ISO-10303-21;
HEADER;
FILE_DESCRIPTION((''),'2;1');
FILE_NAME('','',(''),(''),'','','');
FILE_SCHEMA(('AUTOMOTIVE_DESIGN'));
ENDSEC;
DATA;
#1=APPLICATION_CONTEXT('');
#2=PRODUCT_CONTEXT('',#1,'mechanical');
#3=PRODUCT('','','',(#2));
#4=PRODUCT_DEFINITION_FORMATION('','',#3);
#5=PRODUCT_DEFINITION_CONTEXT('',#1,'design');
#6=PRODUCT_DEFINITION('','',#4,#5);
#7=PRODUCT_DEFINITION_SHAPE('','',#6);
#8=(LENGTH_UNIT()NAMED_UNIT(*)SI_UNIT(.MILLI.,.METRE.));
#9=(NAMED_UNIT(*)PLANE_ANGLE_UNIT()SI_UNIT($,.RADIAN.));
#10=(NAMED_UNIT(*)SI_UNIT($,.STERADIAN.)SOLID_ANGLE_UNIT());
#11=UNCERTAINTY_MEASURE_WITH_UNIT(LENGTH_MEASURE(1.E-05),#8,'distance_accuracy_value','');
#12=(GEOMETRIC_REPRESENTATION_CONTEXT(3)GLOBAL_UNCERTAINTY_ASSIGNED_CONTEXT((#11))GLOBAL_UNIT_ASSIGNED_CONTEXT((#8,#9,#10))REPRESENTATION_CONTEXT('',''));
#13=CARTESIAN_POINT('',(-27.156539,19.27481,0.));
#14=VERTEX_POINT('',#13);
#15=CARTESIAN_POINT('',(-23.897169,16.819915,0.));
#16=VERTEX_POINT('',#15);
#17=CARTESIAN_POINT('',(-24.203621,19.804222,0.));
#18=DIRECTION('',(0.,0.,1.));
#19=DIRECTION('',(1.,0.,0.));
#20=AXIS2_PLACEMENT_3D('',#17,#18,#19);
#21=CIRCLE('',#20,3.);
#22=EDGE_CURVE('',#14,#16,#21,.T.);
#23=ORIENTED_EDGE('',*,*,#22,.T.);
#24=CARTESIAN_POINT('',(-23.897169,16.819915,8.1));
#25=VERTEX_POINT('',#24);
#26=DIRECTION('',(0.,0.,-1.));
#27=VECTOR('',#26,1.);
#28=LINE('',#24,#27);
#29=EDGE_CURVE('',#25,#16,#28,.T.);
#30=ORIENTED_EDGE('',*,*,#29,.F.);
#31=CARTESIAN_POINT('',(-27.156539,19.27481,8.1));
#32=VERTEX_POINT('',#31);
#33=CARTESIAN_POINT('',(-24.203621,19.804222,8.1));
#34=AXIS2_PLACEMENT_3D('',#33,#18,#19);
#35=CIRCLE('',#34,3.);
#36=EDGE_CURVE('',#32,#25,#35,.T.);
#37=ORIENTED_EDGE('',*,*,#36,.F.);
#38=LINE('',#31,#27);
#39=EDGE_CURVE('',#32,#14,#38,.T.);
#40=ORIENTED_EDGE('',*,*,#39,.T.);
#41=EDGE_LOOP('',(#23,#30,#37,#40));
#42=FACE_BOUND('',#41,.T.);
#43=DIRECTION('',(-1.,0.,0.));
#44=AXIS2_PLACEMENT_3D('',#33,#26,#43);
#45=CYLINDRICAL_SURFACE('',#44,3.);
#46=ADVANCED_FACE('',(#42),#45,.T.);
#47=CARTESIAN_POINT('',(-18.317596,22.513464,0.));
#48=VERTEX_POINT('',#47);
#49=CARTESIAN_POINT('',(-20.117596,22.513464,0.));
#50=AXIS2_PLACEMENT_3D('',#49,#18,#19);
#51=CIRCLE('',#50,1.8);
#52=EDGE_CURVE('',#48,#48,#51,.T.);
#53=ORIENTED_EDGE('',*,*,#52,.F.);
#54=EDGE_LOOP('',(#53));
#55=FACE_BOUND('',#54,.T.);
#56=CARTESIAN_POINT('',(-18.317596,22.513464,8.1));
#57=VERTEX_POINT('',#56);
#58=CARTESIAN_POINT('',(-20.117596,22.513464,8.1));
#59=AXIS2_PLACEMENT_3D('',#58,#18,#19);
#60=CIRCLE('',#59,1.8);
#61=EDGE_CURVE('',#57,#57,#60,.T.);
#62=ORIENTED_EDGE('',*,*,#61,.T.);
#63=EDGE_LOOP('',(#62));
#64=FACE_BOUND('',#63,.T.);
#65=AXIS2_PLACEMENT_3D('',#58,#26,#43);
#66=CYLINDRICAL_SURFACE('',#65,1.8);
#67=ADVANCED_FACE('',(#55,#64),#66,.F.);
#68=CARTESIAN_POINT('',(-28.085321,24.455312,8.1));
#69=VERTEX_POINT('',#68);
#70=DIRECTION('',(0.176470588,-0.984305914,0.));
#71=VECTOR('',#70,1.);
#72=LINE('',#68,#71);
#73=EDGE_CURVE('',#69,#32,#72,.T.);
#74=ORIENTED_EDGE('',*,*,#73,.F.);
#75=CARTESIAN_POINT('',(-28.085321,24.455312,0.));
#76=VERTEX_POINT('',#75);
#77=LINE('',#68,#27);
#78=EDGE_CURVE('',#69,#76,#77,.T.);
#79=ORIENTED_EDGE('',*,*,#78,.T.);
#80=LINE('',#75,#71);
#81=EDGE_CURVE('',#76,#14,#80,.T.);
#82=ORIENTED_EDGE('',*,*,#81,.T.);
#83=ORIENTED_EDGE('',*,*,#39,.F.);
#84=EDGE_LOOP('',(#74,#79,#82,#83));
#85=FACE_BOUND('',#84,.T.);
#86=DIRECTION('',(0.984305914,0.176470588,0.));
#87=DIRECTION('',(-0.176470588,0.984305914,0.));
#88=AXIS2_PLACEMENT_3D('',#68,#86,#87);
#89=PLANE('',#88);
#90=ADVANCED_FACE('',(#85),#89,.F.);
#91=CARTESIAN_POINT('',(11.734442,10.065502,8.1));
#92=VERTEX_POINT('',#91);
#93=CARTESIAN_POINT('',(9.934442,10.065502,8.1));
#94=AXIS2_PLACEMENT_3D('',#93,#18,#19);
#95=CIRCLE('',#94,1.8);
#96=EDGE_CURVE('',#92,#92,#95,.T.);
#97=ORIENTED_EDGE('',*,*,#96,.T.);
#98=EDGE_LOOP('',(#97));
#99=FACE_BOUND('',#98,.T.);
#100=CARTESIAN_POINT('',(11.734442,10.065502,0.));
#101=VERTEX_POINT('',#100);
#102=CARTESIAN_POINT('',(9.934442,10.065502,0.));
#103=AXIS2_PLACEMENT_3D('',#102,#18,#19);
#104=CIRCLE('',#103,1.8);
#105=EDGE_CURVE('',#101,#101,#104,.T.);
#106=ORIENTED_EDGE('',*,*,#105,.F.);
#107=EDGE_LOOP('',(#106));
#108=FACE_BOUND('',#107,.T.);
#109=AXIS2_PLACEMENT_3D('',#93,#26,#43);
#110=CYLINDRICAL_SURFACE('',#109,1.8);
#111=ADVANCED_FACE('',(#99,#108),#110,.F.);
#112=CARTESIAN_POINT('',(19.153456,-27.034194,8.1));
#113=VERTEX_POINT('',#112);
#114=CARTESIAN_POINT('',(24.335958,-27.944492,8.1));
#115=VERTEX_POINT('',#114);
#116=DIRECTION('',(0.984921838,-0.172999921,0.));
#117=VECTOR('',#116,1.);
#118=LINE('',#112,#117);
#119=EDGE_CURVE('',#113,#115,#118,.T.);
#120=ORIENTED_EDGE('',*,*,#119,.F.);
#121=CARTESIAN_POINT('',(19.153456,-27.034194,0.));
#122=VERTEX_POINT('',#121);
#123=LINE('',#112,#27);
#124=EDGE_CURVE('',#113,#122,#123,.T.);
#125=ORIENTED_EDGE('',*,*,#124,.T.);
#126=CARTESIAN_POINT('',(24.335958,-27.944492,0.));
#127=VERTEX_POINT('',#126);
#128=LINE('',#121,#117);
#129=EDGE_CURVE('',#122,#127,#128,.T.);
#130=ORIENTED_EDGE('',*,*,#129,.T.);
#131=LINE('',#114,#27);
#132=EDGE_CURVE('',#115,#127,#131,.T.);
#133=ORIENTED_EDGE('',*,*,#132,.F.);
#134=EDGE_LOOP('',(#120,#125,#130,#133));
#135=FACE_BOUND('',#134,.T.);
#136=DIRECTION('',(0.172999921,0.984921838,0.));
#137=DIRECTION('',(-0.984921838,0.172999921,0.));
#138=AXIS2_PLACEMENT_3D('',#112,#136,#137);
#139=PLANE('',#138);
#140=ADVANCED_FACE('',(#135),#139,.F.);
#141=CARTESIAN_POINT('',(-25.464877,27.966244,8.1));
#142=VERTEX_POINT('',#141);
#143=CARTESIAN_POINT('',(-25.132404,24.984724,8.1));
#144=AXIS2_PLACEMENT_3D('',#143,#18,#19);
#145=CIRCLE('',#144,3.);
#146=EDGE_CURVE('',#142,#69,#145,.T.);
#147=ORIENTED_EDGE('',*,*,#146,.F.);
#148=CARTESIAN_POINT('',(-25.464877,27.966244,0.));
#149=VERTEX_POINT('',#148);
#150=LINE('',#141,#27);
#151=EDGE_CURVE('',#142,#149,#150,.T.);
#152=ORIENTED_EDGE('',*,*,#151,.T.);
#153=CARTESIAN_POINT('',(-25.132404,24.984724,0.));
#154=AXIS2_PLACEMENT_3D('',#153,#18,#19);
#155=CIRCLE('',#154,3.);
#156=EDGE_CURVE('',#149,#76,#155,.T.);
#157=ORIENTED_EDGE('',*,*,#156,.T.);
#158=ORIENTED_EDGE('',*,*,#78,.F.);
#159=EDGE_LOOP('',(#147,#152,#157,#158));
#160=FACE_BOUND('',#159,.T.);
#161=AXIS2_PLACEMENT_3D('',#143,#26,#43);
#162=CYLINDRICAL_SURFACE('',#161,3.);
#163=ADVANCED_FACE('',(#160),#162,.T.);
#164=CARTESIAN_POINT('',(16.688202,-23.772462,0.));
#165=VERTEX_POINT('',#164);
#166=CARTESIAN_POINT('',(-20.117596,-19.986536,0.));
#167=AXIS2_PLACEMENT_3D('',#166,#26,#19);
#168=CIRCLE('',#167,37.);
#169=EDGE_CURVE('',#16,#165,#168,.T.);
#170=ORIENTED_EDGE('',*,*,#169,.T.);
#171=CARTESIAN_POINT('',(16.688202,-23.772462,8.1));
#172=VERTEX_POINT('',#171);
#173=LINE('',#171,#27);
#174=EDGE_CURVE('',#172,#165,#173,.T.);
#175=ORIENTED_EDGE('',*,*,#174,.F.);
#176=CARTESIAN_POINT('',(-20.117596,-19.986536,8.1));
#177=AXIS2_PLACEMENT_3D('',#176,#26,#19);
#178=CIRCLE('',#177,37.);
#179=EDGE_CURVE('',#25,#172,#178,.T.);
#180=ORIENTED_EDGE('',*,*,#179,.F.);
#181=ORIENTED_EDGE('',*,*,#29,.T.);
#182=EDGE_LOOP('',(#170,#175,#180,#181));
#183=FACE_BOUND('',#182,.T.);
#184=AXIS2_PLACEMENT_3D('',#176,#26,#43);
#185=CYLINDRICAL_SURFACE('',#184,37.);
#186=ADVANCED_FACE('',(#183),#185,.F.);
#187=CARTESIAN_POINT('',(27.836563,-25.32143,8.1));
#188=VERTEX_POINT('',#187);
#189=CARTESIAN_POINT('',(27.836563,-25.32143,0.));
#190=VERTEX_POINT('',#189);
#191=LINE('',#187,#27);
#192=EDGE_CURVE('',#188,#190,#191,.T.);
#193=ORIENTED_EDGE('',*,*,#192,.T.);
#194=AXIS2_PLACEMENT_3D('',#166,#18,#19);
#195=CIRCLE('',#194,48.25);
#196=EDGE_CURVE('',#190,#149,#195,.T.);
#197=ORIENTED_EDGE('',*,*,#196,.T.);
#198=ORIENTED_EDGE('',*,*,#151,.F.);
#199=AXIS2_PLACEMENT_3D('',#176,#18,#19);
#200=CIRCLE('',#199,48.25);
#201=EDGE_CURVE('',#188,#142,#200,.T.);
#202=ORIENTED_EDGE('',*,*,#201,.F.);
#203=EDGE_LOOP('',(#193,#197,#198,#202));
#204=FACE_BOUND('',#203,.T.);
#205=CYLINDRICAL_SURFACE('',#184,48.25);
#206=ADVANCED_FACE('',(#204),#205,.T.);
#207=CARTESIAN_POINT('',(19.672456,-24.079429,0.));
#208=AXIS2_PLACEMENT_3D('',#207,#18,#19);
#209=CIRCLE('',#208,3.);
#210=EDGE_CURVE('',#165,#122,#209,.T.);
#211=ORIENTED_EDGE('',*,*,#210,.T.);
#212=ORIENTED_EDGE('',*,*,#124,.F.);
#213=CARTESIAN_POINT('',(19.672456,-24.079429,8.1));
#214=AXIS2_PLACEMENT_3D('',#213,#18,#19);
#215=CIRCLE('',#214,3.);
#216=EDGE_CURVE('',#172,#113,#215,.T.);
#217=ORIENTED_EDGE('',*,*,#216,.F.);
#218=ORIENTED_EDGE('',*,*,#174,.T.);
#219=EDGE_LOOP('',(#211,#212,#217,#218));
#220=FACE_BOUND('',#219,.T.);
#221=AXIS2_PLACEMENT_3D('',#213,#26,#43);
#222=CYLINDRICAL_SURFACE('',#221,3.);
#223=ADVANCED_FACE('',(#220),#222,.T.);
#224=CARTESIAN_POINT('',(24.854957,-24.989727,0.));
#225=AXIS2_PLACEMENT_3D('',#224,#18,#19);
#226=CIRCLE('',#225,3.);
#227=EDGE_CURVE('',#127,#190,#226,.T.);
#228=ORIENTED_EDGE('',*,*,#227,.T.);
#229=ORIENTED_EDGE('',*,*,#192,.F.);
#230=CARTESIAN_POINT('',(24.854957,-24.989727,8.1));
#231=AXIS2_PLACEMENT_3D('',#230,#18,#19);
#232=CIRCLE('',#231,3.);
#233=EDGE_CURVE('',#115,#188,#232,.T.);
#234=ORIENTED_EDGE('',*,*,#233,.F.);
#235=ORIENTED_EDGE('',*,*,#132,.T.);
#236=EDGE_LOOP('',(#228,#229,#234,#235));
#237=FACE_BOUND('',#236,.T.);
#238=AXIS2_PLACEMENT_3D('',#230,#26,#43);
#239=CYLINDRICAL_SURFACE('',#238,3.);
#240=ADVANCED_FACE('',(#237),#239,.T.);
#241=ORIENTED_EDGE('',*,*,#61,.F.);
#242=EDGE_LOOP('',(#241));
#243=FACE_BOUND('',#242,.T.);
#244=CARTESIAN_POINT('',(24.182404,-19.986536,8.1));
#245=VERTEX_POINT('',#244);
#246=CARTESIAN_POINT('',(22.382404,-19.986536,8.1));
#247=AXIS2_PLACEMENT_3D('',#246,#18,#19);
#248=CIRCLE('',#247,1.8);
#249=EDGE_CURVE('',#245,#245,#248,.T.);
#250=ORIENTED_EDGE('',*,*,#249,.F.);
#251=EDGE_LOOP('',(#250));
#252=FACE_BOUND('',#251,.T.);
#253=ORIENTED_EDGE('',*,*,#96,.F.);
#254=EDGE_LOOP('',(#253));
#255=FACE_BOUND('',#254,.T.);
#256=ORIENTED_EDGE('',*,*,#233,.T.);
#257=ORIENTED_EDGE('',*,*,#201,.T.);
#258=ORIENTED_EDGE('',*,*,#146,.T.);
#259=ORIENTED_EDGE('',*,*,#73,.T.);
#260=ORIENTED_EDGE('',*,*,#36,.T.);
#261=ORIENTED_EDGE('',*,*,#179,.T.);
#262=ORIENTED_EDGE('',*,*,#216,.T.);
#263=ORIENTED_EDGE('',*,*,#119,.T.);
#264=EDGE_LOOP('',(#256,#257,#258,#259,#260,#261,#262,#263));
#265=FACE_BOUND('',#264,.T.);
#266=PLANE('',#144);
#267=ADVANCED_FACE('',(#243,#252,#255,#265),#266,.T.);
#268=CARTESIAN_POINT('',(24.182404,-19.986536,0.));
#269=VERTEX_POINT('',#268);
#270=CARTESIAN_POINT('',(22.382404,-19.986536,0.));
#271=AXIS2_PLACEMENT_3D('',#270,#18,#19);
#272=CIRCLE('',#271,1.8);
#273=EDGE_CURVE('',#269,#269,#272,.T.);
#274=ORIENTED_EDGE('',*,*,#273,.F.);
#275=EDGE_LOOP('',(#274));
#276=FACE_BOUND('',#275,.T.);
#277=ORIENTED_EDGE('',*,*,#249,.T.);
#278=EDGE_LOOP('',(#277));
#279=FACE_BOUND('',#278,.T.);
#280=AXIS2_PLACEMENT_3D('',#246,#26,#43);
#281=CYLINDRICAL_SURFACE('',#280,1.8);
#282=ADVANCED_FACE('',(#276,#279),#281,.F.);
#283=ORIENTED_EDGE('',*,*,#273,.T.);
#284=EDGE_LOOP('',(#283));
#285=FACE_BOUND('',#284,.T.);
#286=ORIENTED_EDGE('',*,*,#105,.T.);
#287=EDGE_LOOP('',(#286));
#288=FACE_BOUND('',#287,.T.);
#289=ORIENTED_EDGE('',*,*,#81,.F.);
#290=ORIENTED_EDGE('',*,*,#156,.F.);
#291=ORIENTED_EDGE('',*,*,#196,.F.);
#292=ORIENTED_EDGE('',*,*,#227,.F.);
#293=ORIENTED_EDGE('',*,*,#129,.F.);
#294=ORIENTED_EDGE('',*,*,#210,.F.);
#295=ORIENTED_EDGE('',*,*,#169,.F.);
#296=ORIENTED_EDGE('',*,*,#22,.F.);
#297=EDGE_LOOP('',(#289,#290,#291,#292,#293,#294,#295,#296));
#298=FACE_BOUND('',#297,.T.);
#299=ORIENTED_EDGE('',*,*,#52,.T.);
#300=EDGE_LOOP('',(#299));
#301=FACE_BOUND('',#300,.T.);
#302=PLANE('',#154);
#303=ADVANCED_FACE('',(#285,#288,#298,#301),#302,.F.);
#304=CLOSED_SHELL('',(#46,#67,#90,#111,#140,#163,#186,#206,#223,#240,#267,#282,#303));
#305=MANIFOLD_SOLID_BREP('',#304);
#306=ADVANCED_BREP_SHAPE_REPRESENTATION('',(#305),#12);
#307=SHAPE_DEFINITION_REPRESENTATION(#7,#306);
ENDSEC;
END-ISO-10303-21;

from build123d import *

# Parameters (mm, degrees)
SKETCH_1_R      = 1.8
EXTRUDE_1_DEPTH = 8.1


with BuildPart() as part:
    # 草图1 → 凸台-拉伸1 (new body)
    with BuildSketch(Plane.XY):
        with BuildLine():
            Line((-28.085321485, 24.455311821), (-27.156538847, 19.274809777))
            ThreePointArc((-27.156538847, 19.274809777), (-26.008495854, 17.407885349), (-23.897169242, 16.819914712))
            ThreePointArc((-23.897169242, 16.819914712), (6.047612353, 6.174156813), (16.688201762, -23.772461744))
            ThreePointArc((16.688201762, -23.772461744), (17.279148071, -25.888317514), (19.153455893, -27.034194196))
            Line((19.153455893, -27.034194196), (24.335957665, -27.944492213))
            ThreePointArc((24.335957665, -27.944492213), (26.653907402, -27.390513858), (27.836563196, -25.321429936))
            ThreePointArc((27.836563196, -25.321429936), (13.995899045, 14.135772324), (-25.464877169, 27.96624357))
            ThreePointArc((-25.464877169, 27.96624357), (-27.536589514, 26.779128998), (-28.085321485, 24.455311821))
        make_face()
        with Locations((22.382403744, -19.986536191)):
            Circle(SKETCH_1_R, mode=Mode.SUBTRACT)
        with Locations((9.934441945, 10.06550201)):
            Circle(SKETCH_1_R, mode=Mode.SUBTRACT)
        with Locations((-20.117596256, 22.513463809)):
            Circle(SKETCH_1_R, mode=Mode.SUBTRACT)
    extrude(amount=EXTRUDE_1_DEPTH)


solid = part.part
